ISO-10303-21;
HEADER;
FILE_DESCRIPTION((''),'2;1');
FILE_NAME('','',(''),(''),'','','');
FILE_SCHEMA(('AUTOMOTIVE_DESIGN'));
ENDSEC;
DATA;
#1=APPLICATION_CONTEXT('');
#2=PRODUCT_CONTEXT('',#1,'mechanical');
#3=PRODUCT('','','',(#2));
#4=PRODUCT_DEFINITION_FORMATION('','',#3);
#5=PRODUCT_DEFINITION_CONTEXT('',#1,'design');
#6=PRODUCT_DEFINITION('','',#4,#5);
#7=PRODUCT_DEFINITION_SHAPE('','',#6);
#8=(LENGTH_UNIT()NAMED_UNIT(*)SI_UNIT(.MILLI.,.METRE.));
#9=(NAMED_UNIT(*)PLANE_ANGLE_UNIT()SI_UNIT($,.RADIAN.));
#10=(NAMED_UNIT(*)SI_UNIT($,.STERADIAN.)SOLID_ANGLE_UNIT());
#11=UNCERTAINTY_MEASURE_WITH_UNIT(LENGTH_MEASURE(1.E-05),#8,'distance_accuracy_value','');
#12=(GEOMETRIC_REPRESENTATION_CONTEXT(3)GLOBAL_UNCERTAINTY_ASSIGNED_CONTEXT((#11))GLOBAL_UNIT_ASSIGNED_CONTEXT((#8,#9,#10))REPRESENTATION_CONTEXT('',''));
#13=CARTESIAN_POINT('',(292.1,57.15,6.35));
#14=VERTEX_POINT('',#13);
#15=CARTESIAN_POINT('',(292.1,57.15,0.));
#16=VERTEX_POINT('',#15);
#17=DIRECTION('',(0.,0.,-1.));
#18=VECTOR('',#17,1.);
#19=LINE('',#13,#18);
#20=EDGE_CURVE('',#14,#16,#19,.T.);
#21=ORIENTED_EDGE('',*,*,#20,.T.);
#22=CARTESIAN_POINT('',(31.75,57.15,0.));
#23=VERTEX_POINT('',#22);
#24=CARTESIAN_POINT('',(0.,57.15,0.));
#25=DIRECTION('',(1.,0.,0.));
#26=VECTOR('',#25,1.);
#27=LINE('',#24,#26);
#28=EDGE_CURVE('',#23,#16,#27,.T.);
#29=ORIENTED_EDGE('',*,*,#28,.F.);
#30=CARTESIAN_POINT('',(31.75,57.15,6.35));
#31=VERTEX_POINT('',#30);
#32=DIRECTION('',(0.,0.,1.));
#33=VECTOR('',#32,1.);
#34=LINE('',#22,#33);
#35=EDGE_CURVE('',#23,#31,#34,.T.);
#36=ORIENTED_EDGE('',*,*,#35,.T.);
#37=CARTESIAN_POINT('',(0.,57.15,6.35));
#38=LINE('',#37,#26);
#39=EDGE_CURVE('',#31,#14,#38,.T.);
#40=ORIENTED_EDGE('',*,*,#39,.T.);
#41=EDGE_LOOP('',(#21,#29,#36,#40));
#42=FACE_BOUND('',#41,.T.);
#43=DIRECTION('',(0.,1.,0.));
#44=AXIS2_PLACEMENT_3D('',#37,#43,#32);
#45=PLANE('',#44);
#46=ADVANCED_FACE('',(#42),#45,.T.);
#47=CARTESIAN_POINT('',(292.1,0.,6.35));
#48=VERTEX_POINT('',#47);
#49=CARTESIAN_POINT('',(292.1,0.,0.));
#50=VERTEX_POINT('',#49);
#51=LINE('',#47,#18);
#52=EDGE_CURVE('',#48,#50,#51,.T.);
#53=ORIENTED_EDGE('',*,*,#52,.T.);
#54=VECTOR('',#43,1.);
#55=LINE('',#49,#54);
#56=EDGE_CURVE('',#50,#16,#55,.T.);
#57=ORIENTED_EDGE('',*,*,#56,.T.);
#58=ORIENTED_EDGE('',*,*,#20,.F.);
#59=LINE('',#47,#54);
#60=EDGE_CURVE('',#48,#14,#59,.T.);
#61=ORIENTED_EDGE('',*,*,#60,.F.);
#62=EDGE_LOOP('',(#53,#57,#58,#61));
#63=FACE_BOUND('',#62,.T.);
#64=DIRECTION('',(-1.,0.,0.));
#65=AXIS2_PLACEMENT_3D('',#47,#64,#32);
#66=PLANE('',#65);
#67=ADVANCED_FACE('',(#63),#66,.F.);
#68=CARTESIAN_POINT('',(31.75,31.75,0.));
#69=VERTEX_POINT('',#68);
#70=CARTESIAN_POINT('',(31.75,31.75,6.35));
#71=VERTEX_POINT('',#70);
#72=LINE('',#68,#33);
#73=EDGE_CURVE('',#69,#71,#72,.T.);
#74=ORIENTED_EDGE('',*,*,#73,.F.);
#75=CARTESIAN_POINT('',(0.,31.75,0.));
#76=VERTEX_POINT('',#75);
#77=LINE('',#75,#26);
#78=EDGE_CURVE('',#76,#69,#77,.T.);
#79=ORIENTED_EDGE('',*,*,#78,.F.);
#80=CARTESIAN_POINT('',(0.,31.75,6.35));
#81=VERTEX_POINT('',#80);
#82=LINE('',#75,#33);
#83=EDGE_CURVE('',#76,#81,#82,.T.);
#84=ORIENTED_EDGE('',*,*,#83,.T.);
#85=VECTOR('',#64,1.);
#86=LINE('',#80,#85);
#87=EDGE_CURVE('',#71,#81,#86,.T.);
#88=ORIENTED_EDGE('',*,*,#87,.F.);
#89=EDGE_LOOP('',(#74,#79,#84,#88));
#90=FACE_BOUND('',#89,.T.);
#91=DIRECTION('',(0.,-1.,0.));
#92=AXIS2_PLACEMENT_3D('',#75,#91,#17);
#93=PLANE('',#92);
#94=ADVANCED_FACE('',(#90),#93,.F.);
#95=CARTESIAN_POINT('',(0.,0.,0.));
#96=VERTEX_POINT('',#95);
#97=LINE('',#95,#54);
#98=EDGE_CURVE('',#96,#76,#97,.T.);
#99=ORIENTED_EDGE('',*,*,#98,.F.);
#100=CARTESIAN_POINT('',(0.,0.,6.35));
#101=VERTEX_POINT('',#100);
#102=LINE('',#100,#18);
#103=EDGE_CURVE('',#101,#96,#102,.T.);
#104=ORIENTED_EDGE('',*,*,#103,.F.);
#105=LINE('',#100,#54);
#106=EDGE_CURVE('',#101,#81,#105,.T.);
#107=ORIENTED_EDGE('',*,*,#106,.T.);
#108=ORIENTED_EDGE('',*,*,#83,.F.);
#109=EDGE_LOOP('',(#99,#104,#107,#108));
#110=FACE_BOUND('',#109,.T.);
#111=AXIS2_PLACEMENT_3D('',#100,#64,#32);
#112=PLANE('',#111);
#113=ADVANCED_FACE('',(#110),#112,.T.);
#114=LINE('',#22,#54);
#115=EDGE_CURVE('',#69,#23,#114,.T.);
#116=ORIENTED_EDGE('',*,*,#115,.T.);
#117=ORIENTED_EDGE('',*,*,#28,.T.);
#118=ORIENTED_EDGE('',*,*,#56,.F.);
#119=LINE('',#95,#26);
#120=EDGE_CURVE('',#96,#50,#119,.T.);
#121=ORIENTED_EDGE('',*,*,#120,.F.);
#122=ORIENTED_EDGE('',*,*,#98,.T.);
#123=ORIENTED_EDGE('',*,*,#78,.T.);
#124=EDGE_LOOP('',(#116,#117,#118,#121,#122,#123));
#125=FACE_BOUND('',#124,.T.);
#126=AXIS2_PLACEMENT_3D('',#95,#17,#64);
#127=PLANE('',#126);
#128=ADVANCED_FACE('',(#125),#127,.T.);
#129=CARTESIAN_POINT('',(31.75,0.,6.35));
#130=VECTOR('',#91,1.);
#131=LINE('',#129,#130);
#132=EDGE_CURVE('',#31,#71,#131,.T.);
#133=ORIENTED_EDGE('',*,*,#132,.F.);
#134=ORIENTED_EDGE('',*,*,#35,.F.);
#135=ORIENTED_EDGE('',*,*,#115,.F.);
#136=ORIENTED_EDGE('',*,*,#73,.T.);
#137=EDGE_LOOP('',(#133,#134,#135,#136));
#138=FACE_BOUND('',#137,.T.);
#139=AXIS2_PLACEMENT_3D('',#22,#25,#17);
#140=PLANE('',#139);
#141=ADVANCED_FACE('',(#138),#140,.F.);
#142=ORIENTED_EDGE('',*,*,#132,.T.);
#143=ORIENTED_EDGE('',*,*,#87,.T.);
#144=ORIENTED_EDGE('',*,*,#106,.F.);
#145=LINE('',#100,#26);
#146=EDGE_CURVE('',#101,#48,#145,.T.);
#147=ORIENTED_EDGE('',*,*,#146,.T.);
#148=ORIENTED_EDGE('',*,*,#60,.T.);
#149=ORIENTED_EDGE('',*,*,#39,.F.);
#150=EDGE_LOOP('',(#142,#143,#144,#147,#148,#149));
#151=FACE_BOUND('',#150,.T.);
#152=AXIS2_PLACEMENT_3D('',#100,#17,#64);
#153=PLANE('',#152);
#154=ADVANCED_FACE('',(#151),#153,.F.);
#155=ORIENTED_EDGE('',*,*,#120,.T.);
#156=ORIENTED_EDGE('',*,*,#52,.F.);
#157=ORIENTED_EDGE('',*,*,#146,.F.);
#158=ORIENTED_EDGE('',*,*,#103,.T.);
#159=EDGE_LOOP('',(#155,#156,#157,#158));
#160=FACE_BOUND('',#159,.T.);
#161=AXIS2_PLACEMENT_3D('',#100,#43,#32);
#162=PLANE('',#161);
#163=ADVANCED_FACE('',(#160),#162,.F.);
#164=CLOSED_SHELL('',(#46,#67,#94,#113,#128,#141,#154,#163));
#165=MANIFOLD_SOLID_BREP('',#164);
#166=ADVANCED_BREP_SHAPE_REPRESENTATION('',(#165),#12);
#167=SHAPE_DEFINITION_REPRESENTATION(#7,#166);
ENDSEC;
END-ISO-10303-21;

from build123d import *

# Parameters (mm, degrees)
SKETCH1_W               = 292.1
SKETCH1_H               = 57.15
BOSS_EXTRUDE1_DEPTH     = 6.35
SKETCH3_W               = 31.75
SKETCH3_H               = 25.4
CUT_EXTRUDE2_DEPTH      = 1
CUT_EXTRUDE2_DEPTH_BACK = 7.35


with BuildPart() as part:
    # Sketch1 → Boss-Extrude1 (new body)
    with BuildSketch(Plane.XY):
        with Locations((146.05, 28.575)):
            Rectangle(SKETCH1_W, SKETCH1_H)
    extrude(amount=BOSS_EXTRUDE1_DEPTH)

    # Sketch3 → Cut-Extrude2 (cut, two sides)
    with BuildSketch(Plane.XY.offset(6.35)) as cut_extrude2_sk:
        with Locations((15.875, 44.45)):
            Rectangle(SKETCH3_W, SKETCH3_H)
    extrude(amount=CUT_EXTRUDE2_DEPTH, mode=Mode.SUBTRACT)
    extrude(cut_extrude2_sk.sketch, amount=-CUT_EXTRUDE2_DEPTH_BACK, mode=Mode.SUBTRACT)


solid = part.part
